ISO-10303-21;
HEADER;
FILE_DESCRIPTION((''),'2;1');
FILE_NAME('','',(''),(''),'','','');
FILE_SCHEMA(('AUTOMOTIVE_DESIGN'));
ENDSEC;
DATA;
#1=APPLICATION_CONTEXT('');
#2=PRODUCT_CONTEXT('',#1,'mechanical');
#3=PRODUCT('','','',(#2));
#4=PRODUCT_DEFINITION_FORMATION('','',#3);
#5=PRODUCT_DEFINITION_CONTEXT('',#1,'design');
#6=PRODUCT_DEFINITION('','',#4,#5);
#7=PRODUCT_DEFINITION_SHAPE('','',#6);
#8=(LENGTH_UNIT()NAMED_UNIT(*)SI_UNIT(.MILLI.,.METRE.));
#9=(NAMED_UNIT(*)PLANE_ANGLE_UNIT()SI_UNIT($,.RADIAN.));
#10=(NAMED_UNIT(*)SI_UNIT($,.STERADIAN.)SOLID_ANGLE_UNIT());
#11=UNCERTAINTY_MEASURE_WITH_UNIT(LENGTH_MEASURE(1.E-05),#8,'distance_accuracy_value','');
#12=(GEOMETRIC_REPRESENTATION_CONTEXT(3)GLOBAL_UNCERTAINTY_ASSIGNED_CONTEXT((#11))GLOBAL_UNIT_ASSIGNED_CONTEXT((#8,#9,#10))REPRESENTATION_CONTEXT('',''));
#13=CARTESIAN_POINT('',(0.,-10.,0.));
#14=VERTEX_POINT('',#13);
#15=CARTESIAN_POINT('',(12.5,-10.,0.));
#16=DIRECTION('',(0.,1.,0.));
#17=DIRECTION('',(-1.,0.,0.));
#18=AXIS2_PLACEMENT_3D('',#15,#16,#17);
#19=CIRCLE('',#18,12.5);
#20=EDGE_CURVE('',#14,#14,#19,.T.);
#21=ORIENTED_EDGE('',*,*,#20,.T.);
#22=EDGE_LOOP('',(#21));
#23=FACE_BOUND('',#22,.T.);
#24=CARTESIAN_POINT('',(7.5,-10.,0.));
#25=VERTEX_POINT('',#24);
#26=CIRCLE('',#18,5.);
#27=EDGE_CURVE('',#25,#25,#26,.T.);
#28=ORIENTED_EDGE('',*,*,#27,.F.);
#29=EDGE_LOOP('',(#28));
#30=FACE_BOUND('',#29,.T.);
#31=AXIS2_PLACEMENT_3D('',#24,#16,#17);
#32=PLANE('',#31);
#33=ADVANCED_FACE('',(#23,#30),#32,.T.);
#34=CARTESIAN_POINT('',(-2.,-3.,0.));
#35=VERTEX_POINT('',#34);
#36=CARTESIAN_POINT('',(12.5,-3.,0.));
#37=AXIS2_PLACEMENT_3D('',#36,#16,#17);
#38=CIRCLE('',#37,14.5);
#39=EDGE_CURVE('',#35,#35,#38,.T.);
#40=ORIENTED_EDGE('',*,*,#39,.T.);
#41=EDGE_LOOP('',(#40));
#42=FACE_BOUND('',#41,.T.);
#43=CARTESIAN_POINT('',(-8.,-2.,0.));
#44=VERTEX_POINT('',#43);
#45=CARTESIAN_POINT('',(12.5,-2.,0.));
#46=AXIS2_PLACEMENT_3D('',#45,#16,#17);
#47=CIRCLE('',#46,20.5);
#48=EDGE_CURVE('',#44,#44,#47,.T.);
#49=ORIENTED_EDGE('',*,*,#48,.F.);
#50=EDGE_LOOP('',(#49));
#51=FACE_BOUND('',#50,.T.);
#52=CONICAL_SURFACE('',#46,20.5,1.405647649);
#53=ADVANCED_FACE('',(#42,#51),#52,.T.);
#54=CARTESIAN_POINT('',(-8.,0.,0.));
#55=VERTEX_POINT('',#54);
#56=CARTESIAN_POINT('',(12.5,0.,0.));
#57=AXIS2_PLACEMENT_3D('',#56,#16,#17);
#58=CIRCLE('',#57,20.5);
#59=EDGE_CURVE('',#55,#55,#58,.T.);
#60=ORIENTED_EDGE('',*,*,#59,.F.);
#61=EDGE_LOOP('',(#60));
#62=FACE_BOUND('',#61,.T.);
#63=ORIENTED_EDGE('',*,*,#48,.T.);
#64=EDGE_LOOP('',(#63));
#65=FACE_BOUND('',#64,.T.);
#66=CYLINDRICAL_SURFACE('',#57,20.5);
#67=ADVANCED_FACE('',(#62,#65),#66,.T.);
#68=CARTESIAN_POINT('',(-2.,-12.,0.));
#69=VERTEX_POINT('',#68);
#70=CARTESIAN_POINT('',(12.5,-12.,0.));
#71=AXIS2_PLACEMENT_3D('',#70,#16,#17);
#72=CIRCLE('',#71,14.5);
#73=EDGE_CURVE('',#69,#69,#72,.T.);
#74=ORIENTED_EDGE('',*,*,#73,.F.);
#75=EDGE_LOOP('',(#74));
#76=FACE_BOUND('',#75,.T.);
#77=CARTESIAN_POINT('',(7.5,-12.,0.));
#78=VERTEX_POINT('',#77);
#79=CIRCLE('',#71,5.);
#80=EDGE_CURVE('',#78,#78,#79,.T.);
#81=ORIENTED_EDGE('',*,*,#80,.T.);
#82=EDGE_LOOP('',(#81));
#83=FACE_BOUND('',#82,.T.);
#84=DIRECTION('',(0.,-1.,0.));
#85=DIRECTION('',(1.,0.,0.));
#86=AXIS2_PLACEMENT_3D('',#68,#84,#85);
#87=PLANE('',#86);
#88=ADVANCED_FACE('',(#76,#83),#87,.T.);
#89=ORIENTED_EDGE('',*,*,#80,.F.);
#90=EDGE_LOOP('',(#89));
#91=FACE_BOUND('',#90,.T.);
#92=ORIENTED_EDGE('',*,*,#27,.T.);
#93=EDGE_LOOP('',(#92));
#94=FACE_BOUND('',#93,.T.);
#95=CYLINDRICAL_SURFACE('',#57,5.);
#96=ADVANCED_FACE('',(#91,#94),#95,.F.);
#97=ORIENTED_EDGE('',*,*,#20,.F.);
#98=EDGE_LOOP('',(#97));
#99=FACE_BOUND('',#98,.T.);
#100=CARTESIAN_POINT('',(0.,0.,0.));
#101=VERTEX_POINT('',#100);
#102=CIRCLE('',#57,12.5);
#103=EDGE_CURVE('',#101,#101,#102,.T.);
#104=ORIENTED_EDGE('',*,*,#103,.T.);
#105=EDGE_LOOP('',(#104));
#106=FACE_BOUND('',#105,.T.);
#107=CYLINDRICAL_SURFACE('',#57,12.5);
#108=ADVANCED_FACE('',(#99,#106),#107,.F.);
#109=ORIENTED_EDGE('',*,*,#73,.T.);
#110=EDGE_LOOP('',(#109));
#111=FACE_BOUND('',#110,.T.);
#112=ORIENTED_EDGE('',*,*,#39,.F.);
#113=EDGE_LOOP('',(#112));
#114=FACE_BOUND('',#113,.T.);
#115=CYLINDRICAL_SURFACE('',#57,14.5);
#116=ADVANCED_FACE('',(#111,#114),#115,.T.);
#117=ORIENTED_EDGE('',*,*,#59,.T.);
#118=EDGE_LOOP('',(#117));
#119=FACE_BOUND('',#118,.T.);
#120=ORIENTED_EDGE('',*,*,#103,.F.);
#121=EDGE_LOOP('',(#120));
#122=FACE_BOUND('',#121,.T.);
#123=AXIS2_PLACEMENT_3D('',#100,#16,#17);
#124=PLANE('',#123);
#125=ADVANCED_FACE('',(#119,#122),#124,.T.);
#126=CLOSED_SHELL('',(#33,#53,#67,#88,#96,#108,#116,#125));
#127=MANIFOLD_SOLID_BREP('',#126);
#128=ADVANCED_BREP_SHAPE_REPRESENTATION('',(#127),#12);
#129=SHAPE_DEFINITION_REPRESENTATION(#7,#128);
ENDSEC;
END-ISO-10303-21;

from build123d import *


with BuildPart() as part:
    # Sketch1 → Revolve1 (revolve)
    with BuildSketch(Plane.XY):
        Polygon((0, 0), (-8, 0), (-8, -2), (-2, -3), (-2, -12), (7.5, -12), (7.5, -10), (0, -10), align=None)
    revolve(axis=Axis((12.5, 0, 0), (0, -1, 0)))


solid = part.part
